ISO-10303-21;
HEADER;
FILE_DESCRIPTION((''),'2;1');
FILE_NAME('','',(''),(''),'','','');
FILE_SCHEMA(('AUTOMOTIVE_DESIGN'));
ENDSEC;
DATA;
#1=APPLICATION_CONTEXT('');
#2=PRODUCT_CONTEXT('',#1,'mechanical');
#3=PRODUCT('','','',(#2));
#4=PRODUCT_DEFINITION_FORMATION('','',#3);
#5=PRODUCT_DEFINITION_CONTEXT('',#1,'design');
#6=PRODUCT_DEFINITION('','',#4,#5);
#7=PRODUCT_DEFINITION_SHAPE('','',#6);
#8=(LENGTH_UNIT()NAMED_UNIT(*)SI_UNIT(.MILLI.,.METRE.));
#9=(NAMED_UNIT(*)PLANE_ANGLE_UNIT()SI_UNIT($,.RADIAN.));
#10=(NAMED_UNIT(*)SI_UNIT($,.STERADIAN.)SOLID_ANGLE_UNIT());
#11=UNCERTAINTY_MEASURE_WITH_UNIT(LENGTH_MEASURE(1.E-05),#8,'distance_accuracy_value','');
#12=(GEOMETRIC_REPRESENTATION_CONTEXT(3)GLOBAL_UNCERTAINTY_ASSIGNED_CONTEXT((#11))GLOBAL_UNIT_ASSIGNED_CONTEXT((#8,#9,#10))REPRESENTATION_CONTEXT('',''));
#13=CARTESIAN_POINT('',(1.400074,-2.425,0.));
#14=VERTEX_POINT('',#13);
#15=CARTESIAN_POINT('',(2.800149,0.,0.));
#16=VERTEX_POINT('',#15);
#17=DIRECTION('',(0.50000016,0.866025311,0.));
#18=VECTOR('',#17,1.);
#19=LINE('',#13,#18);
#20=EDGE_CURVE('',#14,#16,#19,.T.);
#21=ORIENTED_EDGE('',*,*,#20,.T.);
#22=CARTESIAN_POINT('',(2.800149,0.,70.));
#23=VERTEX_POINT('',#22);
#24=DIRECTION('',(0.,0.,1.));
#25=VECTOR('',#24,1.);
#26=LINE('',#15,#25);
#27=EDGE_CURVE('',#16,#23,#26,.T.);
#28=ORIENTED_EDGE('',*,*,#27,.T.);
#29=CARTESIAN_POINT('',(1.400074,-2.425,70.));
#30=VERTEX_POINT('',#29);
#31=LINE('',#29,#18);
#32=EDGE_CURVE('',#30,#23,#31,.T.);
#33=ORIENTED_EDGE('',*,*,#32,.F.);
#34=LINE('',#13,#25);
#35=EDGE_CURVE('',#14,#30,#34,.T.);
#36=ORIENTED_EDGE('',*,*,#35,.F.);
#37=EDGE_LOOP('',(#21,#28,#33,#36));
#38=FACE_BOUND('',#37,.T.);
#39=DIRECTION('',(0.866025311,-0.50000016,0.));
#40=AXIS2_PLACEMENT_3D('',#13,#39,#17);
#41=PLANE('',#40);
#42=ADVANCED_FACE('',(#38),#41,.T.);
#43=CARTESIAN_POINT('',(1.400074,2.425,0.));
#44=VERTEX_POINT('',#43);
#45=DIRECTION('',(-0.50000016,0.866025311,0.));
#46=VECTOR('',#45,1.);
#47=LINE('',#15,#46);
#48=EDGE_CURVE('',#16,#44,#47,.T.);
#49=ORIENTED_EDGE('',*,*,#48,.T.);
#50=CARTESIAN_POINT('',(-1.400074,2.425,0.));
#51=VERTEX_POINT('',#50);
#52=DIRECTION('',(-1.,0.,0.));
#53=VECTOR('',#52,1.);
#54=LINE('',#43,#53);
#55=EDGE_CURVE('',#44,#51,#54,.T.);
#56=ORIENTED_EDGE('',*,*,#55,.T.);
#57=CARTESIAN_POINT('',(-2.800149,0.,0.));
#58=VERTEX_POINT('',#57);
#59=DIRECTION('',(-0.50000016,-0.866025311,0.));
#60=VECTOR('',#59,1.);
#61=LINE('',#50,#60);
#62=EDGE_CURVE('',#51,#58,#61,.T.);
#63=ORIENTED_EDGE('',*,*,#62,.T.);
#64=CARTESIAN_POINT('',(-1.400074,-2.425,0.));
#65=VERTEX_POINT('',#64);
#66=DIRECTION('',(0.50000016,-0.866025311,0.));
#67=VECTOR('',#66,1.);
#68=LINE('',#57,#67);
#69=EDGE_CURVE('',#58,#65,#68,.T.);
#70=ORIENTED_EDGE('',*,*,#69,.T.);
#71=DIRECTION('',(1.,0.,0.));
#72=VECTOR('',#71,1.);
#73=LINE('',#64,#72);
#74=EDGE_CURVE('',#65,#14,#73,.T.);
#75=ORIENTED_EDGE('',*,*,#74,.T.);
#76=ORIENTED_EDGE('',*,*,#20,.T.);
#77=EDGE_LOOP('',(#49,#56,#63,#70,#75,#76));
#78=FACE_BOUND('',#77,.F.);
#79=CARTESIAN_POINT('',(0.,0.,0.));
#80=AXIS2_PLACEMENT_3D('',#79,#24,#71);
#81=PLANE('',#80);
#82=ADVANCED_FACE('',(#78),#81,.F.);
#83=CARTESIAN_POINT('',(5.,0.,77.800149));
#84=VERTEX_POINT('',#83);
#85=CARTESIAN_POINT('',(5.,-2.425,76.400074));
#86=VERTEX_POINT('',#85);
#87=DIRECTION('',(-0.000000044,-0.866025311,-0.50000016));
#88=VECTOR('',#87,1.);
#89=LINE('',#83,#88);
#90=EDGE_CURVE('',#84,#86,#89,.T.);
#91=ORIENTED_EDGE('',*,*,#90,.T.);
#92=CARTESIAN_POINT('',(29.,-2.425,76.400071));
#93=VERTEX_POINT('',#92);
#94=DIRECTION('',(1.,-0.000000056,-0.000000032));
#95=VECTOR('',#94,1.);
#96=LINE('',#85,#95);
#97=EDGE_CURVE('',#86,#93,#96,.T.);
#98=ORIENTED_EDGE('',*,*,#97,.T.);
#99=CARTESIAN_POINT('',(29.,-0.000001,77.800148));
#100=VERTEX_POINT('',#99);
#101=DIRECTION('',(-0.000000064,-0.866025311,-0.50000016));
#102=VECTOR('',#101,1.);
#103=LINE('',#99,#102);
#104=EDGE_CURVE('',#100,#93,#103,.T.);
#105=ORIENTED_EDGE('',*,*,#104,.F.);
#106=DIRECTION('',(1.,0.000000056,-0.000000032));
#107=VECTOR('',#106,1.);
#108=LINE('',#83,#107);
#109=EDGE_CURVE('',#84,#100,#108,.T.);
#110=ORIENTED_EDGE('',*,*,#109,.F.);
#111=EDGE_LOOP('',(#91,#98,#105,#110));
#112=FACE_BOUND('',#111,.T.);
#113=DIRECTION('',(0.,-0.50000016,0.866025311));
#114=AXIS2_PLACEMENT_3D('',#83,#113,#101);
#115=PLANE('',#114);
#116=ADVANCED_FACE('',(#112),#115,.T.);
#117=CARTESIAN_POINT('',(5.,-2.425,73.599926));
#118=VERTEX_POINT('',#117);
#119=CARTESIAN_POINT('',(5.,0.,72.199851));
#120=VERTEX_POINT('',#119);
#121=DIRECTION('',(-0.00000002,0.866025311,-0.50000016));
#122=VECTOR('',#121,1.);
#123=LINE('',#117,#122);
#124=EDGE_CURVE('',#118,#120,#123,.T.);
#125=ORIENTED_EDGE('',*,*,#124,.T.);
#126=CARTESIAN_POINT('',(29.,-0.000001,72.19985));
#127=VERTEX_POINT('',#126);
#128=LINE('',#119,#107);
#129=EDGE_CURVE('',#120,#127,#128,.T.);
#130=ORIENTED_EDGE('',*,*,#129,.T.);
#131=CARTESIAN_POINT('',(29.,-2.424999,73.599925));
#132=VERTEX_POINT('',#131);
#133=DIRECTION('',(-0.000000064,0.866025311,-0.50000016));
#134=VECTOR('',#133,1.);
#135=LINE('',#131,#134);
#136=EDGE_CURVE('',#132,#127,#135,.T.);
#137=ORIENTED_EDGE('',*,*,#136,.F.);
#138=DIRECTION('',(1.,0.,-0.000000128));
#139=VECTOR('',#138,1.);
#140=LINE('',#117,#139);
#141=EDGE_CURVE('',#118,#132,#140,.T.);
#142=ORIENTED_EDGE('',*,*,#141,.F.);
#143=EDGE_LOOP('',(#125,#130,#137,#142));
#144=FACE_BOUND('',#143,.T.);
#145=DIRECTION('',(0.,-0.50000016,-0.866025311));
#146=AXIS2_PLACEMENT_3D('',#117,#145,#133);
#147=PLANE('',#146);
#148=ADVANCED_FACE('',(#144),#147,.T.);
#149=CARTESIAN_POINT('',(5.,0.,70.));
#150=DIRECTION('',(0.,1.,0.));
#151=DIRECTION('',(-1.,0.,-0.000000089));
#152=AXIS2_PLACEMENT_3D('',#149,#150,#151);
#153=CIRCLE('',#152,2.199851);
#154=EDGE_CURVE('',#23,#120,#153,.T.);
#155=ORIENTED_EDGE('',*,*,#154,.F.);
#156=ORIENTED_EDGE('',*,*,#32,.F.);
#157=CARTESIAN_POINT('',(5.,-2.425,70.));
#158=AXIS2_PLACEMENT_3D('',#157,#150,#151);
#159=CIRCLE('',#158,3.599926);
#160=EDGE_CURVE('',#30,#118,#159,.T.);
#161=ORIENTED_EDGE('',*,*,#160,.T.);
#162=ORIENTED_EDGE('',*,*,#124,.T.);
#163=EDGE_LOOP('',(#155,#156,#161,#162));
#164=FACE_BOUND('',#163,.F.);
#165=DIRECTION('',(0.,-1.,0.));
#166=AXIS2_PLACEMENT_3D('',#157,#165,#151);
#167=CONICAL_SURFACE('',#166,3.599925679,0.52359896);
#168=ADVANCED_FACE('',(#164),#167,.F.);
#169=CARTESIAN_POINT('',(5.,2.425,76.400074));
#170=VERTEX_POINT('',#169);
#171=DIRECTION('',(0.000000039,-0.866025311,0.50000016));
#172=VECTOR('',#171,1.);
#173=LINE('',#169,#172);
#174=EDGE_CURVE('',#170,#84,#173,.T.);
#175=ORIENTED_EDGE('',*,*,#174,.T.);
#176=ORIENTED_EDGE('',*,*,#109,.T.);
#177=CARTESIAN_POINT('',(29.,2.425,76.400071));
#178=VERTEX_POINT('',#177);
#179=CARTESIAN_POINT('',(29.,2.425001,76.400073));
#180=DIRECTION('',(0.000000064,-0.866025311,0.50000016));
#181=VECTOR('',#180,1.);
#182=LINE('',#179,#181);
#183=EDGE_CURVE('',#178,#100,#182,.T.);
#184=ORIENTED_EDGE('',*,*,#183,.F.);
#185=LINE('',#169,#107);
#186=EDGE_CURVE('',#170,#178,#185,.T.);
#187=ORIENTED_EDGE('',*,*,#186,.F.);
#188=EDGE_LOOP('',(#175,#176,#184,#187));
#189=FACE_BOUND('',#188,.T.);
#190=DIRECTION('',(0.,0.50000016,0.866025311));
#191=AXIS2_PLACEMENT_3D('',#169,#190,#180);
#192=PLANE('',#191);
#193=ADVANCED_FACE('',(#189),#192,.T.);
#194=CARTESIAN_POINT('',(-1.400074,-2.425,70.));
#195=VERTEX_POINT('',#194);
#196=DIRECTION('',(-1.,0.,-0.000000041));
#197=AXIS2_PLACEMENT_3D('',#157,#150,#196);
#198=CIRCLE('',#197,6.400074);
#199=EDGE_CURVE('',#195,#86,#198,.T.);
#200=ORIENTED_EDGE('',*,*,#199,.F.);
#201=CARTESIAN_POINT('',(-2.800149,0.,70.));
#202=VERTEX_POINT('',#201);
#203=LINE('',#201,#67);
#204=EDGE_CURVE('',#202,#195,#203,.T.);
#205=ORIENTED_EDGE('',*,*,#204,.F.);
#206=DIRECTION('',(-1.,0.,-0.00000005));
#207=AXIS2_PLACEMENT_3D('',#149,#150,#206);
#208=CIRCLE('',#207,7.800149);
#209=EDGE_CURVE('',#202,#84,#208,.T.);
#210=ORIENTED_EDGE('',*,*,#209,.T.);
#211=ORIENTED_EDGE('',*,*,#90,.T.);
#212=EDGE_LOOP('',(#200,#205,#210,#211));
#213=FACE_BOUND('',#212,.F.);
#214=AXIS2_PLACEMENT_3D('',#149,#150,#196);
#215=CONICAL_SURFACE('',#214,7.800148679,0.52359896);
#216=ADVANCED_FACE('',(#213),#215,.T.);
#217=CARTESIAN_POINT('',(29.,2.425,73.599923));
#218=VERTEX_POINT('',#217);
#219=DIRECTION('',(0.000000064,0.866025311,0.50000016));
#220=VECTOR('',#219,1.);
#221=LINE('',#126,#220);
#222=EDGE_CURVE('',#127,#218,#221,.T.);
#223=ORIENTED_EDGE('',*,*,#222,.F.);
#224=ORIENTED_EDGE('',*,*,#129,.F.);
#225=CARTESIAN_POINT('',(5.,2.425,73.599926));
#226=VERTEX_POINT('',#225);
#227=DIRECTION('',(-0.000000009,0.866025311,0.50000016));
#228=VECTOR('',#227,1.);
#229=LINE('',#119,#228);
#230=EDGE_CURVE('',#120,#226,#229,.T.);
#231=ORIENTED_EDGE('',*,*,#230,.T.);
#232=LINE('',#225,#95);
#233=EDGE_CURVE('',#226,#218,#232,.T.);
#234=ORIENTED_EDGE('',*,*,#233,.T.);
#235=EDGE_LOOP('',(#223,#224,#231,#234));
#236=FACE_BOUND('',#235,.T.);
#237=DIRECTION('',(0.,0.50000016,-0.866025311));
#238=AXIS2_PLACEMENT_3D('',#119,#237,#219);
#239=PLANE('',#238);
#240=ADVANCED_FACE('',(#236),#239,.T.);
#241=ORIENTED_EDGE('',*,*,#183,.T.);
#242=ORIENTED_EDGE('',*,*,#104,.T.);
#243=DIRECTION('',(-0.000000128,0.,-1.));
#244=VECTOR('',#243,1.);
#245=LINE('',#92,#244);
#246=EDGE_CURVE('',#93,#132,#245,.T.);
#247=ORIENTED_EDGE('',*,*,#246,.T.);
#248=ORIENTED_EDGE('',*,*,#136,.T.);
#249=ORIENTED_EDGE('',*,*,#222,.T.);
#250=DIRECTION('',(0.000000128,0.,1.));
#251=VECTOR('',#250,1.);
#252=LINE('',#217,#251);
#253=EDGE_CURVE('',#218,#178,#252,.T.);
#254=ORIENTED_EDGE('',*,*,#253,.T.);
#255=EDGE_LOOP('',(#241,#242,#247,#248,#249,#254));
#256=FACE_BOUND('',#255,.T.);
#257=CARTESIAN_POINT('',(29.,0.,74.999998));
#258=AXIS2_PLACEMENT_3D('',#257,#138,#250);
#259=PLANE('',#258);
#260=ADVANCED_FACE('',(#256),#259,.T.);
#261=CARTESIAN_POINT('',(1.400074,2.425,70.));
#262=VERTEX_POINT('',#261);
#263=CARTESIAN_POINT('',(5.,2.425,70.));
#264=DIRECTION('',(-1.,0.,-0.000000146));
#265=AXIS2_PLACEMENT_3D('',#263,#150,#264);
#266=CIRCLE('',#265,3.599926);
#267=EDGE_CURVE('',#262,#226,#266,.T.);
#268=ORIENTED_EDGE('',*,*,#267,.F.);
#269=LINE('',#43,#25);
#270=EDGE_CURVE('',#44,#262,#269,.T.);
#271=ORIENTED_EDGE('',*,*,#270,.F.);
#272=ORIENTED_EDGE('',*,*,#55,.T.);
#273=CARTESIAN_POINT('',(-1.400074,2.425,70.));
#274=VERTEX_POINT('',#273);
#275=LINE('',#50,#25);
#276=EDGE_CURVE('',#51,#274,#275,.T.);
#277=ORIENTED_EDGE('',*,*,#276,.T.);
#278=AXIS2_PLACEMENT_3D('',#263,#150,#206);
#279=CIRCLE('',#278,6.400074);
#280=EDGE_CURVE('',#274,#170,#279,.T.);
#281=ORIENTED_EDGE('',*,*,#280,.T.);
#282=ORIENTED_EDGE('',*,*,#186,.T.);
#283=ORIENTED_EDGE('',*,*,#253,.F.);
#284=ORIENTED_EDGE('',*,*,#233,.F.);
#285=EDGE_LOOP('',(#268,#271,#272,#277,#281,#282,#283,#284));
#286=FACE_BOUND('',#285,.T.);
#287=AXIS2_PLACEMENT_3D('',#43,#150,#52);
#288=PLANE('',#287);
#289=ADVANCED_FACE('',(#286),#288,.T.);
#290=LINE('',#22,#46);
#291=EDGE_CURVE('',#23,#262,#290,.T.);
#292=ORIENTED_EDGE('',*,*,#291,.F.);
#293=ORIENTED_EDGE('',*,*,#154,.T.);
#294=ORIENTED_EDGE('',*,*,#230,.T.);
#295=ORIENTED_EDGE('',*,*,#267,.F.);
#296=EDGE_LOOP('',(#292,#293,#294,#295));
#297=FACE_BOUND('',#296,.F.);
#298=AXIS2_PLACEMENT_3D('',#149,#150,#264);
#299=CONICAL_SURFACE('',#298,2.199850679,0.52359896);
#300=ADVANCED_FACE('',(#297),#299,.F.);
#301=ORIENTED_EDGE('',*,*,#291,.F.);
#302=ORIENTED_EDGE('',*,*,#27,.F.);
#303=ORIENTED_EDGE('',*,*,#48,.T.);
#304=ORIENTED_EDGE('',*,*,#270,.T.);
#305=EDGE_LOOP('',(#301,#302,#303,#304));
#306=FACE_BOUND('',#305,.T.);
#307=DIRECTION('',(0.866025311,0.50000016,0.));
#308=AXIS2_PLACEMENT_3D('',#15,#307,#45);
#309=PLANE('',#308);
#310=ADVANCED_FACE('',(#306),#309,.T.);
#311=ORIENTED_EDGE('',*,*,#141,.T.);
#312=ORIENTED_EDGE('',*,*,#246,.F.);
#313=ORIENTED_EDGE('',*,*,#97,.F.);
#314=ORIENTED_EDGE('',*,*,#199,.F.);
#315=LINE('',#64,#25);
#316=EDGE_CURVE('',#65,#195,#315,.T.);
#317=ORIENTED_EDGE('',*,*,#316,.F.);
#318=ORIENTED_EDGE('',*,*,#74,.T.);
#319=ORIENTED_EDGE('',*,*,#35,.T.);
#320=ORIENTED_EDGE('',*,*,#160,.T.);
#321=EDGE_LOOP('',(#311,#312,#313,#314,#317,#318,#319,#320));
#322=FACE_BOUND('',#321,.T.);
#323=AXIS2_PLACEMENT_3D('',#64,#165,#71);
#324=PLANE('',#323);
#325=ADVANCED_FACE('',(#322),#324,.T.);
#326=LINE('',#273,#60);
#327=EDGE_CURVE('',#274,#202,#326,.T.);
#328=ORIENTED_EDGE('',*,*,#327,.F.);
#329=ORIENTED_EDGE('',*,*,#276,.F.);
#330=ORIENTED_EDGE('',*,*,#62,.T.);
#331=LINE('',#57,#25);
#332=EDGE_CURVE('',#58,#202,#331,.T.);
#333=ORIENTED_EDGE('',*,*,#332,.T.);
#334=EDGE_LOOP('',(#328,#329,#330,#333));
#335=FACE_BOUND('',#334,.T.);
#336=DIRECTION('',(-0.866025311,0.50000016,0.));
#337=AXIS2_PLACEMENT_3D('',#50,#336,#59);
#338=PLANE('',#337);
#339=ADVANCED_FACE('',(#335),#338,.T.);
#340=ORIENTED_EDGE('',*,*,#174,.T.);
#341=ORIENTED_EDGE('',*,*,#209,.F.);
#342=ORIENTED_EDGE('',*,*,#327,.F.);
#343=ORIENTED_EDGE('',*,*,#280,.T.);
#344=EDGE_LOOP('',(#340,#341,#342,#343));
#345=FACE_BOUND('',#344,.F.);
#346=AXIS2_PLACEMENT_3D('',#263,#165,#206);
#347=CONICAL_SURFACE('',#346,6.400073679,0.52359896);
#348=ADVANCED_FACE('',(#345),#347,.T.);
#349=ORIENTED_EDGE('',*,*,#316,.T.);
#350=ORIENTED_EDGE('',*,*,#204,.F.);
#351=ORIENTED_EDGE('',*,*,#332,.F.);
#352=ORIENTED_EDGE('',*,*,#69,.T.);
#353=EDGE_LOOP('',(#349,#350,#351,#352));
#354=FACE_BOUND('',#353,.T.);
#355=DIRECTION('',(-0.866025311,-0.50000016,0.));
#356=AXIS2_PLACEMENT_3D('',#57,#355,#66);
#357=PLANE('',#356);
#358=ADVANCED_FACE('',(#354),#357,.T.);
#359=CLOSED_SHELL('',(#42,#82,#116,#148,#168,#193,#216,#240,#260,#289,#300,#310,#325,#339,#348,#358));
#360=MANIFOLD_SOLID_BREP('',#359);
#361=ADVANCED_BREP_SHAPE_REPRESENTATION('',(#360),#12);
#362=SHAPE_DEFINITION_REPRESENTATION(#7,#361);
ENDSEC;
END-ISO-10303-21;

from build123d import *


with BuildPart() as f2:
    # F2: sweep along a path in F1
    with BuildLine(Plane.XZ) as f2_path:
        Line((0, 0), (0, 70))
        ThreePointArc((0, 70), (1.464466, 73.535534), (5, 75))
        Line((5, 75), (29, 75))
    # F0 (on Top) → F2 (sweep)
    with BuildSketch(Plane.XY):
        Polygon((-1.400074, 2.425), (-2.800149, 0), (-1.400074, -2.425), (1.400074, -2.425), (2.800149, 0), (1.400074, 2.425), align=None)
    sweep(path=f2_path.line)


solid = f2.part
